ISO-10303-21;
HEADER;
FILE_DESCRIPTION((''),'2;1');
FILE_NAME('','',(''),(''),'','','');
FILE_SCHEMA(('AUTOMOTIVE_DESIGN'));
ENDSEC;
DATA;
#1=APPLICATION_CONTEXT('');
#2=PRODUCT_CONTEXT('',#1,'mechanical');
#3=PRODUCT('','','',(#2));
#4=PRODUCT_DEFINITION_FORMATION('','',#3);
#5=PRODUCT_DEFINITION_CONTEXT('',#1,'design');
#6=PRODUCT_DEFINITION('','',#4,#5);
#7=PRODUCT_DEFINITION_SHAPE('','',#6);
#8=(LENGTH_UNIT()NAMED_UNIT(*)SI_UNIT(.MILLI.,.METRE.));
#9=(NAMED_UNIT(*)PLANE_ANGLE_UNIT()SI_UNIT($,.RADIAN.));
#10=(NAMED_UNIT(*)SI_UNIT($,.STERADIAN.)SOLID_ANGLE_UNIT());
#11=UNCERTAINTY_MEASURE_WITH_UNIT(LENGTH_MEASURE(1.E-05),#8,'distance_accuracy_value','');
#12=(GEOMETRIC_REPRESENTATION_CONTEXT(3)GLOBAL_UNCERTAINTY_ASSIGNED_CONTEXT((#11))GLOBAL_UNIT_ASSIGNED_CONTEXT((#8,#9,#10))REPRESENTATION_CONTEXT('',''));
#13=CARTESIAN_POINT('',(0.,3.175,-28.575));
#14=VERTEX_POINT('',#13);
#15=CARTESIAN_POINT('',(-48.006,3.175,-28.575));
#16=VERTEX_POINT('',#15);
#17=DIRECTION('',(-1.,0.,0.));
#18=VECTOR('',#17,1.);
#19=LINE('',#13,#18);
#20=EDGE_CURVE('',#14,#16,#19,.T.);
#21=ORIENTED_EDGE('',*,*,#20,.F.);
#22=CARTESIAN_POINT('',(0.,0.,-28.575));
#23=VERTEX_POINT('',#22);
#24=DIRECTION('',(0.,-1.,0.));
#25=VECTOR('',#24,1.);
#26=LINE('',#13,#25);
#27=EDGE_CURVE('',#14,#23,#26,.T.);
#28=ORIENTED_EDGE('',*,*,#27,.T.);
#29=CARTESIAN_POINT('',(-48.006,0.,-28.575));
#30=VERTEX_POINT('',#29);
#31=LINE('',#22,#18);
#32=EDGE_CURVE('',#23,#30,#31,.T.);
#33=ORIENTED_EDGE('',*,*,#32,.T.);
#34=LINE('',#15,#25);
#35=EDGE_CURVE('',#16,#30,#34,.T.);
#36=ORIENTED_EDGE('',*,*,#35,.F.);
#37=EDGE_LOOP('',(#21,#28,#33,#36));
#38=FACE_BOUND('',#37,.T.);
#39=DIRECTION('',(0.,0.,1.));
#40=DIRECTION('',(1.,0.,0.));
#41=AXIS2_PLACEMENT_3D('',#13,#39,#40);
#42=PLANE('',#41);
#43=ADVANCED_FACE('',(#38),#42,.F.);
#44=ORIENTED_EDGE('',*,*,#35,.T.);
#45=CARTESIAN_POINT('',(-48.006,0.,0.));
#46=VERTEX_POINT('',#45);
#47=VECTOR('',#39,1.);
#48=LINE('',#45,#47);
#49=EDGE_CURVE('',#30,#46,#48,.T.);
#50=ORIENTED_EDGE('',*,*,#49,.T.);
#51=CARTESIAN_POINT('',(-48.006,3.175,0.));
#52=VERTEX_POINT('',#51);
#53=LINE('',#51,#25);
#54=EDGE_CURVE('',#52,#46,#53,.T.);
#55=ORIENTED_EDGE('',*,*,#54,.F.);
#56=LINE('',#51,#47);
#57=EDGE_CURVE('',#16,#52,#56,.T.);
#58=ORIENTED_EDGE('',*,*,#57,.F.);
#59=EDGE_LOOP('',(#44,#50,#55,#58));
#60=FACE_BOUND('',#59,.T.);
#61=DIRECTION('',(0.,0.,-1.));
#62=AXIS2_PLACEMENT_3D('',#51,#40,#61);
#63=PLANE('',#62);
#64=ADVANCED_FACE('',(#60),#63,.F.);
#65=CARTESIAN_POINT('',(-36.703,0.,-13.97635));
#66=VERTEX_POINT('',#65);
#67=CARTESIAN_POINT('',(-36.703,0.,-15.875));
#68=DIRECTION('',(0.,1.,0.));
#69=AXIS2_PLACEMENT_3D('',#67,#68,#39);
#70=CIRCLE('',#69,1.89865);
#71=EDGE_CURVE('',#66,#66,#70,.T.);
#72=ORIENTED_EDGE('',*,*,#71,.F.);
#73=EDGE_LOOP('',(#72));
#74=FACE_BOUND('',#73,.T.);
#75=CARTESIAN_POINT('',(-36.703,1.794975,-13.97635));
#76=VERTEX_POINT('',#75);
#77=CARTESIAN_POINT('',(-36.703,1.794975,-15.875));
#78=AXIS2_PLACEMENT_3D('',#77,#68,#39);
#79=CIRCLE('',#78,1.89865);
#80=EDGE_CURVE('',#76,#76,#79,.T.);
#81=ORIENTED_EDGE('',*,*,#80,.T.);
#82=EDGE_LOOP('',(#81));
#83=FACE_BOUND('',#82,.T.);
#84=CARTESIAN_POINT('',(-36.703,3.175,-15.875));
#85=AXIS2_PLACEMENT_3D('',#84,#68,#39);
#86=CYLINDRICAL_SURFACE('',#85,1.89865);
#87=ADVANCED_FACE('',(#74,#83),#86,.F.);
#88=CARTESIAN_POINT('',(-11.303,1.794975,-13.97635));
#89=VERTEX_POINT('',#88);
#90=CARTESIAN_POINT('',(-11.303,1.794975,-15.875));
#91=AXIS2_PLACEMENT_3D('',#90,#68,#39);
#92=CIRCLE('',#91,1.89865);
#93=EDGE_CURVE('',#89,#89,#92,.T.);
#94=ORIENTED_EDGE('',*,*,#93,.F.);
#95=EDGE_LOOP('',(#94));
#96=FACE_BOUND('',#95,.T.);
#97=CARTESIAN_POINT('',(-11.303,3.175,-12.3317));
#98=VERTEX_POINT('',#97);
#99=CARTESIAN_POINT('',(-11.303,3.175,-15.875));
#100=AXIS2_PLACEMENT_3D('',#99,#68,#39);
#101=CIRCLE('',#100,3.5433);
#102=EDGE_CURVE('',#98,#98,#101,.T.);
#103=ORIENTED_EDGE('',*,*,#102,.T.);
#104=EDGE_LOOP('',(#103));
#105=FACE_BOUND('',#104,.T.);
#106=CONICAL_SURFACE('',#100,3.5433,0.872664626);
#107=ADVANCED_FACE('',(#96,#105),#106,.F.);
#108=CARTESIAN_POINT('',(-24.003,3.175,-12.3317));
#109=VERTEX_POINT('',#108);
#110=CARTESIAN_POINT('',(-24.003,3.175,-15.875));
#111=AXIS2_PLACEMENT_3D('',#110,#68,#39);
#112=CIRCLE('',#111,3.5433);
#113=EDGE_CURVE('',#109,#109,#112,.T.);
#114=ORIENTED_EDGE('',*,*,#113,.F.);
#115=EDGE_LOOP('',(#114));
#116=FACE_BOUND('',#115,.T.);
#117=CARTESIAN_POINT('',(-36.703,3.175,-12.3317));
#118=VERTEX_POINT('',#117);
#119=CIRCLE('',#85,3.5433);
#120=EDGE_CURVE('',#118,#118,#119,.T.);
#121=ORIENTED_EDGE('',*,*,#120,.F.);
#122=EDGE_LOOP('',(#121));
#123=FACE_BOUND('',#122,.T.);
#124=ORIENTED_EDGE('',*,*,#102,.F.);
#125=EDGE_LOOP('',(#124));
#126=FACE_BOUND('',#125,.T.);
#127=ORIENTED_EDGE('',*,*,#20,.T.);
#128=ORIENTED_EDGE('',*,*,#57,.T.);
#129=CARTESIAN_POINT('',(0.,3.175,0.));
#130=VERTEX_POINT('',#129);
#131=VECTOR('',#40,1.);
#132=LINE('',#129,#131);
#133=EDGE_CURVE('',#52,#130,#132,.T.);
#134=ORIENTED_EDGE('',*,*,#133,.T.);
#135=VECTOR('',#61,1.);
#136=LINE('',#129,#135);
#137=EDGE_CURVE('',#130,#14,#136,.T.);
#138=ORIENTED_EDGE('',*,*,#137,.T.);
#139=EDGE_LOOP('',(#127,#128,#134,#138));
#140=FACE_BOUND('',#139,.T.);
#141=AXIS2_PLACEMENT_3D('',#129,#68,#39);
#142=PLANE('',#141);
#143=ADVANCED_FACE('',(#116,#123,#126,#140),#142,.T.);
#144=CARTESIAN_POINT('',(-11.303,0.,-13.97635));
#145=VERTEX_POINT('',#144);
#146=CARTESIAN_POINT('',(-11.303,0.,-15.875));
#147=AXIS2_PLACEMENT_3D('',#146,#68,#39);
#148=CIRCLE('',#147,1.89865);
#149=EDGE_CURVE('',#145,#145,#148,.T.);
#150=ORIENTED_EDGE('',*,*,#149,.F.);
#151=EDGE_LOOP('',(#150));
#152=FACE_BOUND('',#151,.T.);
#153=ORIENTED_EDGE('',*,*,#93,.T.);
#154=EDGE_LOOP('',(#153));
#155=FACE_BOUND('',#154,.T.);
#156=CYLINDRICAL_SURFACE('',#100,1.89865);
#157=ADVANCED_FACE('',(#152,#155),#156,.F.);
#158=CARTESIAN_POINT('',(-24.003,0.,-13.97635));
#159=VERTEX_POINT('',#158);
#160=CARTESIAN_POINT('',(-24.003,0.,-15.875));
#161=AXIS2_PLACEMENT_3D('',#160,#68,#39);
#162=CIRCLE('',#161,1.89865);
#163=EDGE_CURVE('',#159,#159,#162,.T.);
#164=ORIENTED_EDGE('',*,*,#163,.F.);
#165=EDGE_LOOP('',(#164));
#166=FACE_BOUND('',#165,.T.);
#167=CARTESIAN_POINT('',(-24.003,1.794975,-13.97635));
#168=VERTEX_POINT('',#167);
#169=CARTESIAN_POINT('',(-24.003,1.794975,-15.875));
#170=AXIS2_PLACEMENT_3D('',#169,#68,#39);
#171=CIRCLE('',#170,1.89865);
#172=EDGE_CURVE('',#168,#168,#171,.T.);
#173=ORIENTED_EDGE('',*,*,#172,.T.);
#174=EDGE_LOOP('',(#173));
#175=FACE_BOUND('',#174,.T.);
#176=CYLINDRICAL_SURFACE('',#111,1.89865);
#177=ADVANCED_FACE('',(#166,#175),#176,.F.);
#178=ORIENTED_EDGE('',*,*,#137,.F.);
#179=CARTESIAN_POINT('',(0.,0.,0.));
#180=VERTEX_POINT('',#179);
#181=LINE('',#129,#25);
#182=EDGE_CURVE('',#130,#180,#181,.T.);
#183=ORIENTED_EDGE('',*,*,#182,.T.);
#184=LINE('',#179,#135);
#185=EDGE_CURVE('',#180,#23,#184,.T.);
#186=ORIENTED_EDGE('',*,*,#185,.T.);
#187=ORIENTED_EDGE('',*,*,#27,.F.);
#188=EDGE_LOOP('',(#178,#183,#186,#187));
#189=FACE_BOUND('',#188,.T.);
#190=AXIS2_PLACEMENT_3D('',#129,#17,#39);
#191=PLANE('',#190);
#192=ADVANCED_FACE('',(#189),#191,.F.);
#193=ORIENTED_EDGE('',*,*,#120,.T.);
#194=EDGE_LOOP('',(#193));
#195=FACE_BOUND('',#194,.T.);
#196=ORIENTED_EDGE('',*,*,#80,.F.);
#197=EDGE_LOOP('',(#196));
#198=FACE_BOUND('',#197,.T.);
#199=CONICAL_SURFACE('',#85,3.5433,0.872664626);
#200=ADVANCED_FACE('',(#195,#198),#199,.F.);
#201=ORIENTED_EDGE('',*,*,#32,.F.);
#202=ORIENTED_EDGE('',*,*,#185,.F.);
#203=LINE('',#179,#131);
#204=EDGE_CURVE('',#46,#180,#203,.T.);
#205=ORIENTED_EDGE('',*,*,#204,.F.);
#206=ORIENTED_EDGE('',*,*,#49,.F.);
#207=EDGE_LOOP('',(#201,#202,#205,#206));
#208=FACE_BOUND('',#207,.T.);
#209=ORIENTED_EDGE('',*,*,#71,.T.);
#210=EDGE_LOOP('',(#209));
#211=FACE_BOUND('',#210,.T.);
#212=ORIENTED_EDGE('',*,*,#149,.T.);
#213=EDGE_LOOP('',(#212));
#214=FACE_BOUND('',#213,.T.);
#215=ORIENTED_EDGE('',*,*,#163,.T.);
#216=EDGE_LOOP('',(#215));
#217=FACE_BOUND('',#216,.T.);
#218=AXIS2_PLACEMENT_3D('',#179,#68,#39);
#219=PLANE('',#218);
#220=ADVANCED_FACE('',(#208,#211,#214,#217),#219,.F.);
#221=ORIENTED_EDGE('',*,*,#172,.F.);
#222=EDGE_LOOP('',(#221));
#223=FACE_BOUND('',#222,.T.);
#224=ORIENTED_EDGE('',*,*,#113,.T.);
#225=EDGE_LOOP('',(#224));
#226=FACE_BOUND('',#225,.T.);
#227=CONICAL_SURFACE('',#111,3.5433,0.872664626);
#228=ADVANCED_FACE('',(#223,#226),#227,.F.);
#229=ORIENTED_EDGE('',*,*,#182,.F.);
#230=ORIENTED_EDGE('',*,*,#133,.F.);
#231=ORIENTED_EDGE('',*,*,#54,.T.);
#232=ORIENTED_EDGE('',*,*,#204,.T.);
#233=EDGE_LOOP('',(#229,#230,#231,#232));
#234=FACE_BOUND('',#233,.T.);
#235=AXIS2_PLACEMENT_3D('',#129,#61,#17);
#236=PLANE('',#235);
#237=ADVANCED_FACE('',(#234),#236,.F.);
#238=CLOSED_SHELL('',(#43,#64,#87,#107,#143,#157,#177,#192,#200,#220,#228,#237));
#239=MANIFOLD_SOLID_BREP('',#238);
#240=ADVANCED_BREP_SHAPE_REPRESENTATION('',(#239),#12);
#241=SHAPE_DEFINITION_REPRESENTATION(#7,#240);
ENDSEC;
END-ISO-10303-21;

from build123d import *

# Parameters (mm, degrees)
SKETCH1_W                                         = 48.006
SKETCH1_H                                         = 28.575
BOSS_EXTRUDE1_DEPTH                               = 3.175
CSK_FOR_6_FLAT_HEAD_MACHINE_SCREW_100_D           = 3.7973
CSK_FOR_6_FLAT_HEAD_MACHINE_SCREW_100_CSINK_D     = 7.0866
CSK_FOR_6_FLAT_HEAD_MACHINE_SCREW_100_CSINK_ANGLE = 100
LPATTERN1_COUNT                                   = 2
LPATTERN1_PITCH                                   = 12.7
LPATTERN1_COL_COUNT                               = 2
LPATTERN1_COL_PITCH                               = 12.7


with BuildPart() as part:
    # Sketch1 → Boss-Extrude1 (new body)
    with BuildSketch(Plane(origin=(0, 0, 0), x_dir=(1, 0, 0), z_dir=(0, 1, 0))):
        with Locations((-24.003, 14.2875)):
            Rectangle(SKETCH1_W, SKETCH1_H)
    extrude(amount=BOSS_EXTRUDE1_DEPTH)

    # CSK for #6 Flat Head Machine Screw (100)1 (through all)
    with Locations(Plane(origin=(0, 3.175, 0), x_dir=(1, 0, 0), z_dir=(0, 1, 0))):
        with Locations((-24.003, 15.875)):
            csk_for_6_flat_head_machine_screw_100 = CounterSinkHole(CSK_FOR_6_FLAT_HEAD_MACHINE_SCREW_100_D / 2, CSK_FOR_6_FLAT_HEAD_MACHINE_SCREW_100_CSINK_D / 2, counter_sink_angle=CSK_FOR_6_FLAT_HEAD_MACHINE_SCREW_100_CSINK_ANGLE)

    # LPattern1: CSK for #6 Flat Head Machine Screw (100)1 ×2
    with Locations(*[(i * LPATTERN1_PITCH, 0, 0) for i in range(1, LPATTERN1_COUNT)]):
        add(csk_for_6_flat_head_machine_screw_100, mode=Mode.SUBTRACT)

    # LPattern1 col: CSK for #6 Flat Head Machine Screw (100)1 ×2
    with Locations(*[(-i * LPATTERN1_COL_PITCH, 0, 0) for i in range(1, LPATTERN1_COL_COUNT)]):
        add(csk_for_6_flat_head_machine_screw_100, mode=Mode.SUBTRACT)


solid = part.part
